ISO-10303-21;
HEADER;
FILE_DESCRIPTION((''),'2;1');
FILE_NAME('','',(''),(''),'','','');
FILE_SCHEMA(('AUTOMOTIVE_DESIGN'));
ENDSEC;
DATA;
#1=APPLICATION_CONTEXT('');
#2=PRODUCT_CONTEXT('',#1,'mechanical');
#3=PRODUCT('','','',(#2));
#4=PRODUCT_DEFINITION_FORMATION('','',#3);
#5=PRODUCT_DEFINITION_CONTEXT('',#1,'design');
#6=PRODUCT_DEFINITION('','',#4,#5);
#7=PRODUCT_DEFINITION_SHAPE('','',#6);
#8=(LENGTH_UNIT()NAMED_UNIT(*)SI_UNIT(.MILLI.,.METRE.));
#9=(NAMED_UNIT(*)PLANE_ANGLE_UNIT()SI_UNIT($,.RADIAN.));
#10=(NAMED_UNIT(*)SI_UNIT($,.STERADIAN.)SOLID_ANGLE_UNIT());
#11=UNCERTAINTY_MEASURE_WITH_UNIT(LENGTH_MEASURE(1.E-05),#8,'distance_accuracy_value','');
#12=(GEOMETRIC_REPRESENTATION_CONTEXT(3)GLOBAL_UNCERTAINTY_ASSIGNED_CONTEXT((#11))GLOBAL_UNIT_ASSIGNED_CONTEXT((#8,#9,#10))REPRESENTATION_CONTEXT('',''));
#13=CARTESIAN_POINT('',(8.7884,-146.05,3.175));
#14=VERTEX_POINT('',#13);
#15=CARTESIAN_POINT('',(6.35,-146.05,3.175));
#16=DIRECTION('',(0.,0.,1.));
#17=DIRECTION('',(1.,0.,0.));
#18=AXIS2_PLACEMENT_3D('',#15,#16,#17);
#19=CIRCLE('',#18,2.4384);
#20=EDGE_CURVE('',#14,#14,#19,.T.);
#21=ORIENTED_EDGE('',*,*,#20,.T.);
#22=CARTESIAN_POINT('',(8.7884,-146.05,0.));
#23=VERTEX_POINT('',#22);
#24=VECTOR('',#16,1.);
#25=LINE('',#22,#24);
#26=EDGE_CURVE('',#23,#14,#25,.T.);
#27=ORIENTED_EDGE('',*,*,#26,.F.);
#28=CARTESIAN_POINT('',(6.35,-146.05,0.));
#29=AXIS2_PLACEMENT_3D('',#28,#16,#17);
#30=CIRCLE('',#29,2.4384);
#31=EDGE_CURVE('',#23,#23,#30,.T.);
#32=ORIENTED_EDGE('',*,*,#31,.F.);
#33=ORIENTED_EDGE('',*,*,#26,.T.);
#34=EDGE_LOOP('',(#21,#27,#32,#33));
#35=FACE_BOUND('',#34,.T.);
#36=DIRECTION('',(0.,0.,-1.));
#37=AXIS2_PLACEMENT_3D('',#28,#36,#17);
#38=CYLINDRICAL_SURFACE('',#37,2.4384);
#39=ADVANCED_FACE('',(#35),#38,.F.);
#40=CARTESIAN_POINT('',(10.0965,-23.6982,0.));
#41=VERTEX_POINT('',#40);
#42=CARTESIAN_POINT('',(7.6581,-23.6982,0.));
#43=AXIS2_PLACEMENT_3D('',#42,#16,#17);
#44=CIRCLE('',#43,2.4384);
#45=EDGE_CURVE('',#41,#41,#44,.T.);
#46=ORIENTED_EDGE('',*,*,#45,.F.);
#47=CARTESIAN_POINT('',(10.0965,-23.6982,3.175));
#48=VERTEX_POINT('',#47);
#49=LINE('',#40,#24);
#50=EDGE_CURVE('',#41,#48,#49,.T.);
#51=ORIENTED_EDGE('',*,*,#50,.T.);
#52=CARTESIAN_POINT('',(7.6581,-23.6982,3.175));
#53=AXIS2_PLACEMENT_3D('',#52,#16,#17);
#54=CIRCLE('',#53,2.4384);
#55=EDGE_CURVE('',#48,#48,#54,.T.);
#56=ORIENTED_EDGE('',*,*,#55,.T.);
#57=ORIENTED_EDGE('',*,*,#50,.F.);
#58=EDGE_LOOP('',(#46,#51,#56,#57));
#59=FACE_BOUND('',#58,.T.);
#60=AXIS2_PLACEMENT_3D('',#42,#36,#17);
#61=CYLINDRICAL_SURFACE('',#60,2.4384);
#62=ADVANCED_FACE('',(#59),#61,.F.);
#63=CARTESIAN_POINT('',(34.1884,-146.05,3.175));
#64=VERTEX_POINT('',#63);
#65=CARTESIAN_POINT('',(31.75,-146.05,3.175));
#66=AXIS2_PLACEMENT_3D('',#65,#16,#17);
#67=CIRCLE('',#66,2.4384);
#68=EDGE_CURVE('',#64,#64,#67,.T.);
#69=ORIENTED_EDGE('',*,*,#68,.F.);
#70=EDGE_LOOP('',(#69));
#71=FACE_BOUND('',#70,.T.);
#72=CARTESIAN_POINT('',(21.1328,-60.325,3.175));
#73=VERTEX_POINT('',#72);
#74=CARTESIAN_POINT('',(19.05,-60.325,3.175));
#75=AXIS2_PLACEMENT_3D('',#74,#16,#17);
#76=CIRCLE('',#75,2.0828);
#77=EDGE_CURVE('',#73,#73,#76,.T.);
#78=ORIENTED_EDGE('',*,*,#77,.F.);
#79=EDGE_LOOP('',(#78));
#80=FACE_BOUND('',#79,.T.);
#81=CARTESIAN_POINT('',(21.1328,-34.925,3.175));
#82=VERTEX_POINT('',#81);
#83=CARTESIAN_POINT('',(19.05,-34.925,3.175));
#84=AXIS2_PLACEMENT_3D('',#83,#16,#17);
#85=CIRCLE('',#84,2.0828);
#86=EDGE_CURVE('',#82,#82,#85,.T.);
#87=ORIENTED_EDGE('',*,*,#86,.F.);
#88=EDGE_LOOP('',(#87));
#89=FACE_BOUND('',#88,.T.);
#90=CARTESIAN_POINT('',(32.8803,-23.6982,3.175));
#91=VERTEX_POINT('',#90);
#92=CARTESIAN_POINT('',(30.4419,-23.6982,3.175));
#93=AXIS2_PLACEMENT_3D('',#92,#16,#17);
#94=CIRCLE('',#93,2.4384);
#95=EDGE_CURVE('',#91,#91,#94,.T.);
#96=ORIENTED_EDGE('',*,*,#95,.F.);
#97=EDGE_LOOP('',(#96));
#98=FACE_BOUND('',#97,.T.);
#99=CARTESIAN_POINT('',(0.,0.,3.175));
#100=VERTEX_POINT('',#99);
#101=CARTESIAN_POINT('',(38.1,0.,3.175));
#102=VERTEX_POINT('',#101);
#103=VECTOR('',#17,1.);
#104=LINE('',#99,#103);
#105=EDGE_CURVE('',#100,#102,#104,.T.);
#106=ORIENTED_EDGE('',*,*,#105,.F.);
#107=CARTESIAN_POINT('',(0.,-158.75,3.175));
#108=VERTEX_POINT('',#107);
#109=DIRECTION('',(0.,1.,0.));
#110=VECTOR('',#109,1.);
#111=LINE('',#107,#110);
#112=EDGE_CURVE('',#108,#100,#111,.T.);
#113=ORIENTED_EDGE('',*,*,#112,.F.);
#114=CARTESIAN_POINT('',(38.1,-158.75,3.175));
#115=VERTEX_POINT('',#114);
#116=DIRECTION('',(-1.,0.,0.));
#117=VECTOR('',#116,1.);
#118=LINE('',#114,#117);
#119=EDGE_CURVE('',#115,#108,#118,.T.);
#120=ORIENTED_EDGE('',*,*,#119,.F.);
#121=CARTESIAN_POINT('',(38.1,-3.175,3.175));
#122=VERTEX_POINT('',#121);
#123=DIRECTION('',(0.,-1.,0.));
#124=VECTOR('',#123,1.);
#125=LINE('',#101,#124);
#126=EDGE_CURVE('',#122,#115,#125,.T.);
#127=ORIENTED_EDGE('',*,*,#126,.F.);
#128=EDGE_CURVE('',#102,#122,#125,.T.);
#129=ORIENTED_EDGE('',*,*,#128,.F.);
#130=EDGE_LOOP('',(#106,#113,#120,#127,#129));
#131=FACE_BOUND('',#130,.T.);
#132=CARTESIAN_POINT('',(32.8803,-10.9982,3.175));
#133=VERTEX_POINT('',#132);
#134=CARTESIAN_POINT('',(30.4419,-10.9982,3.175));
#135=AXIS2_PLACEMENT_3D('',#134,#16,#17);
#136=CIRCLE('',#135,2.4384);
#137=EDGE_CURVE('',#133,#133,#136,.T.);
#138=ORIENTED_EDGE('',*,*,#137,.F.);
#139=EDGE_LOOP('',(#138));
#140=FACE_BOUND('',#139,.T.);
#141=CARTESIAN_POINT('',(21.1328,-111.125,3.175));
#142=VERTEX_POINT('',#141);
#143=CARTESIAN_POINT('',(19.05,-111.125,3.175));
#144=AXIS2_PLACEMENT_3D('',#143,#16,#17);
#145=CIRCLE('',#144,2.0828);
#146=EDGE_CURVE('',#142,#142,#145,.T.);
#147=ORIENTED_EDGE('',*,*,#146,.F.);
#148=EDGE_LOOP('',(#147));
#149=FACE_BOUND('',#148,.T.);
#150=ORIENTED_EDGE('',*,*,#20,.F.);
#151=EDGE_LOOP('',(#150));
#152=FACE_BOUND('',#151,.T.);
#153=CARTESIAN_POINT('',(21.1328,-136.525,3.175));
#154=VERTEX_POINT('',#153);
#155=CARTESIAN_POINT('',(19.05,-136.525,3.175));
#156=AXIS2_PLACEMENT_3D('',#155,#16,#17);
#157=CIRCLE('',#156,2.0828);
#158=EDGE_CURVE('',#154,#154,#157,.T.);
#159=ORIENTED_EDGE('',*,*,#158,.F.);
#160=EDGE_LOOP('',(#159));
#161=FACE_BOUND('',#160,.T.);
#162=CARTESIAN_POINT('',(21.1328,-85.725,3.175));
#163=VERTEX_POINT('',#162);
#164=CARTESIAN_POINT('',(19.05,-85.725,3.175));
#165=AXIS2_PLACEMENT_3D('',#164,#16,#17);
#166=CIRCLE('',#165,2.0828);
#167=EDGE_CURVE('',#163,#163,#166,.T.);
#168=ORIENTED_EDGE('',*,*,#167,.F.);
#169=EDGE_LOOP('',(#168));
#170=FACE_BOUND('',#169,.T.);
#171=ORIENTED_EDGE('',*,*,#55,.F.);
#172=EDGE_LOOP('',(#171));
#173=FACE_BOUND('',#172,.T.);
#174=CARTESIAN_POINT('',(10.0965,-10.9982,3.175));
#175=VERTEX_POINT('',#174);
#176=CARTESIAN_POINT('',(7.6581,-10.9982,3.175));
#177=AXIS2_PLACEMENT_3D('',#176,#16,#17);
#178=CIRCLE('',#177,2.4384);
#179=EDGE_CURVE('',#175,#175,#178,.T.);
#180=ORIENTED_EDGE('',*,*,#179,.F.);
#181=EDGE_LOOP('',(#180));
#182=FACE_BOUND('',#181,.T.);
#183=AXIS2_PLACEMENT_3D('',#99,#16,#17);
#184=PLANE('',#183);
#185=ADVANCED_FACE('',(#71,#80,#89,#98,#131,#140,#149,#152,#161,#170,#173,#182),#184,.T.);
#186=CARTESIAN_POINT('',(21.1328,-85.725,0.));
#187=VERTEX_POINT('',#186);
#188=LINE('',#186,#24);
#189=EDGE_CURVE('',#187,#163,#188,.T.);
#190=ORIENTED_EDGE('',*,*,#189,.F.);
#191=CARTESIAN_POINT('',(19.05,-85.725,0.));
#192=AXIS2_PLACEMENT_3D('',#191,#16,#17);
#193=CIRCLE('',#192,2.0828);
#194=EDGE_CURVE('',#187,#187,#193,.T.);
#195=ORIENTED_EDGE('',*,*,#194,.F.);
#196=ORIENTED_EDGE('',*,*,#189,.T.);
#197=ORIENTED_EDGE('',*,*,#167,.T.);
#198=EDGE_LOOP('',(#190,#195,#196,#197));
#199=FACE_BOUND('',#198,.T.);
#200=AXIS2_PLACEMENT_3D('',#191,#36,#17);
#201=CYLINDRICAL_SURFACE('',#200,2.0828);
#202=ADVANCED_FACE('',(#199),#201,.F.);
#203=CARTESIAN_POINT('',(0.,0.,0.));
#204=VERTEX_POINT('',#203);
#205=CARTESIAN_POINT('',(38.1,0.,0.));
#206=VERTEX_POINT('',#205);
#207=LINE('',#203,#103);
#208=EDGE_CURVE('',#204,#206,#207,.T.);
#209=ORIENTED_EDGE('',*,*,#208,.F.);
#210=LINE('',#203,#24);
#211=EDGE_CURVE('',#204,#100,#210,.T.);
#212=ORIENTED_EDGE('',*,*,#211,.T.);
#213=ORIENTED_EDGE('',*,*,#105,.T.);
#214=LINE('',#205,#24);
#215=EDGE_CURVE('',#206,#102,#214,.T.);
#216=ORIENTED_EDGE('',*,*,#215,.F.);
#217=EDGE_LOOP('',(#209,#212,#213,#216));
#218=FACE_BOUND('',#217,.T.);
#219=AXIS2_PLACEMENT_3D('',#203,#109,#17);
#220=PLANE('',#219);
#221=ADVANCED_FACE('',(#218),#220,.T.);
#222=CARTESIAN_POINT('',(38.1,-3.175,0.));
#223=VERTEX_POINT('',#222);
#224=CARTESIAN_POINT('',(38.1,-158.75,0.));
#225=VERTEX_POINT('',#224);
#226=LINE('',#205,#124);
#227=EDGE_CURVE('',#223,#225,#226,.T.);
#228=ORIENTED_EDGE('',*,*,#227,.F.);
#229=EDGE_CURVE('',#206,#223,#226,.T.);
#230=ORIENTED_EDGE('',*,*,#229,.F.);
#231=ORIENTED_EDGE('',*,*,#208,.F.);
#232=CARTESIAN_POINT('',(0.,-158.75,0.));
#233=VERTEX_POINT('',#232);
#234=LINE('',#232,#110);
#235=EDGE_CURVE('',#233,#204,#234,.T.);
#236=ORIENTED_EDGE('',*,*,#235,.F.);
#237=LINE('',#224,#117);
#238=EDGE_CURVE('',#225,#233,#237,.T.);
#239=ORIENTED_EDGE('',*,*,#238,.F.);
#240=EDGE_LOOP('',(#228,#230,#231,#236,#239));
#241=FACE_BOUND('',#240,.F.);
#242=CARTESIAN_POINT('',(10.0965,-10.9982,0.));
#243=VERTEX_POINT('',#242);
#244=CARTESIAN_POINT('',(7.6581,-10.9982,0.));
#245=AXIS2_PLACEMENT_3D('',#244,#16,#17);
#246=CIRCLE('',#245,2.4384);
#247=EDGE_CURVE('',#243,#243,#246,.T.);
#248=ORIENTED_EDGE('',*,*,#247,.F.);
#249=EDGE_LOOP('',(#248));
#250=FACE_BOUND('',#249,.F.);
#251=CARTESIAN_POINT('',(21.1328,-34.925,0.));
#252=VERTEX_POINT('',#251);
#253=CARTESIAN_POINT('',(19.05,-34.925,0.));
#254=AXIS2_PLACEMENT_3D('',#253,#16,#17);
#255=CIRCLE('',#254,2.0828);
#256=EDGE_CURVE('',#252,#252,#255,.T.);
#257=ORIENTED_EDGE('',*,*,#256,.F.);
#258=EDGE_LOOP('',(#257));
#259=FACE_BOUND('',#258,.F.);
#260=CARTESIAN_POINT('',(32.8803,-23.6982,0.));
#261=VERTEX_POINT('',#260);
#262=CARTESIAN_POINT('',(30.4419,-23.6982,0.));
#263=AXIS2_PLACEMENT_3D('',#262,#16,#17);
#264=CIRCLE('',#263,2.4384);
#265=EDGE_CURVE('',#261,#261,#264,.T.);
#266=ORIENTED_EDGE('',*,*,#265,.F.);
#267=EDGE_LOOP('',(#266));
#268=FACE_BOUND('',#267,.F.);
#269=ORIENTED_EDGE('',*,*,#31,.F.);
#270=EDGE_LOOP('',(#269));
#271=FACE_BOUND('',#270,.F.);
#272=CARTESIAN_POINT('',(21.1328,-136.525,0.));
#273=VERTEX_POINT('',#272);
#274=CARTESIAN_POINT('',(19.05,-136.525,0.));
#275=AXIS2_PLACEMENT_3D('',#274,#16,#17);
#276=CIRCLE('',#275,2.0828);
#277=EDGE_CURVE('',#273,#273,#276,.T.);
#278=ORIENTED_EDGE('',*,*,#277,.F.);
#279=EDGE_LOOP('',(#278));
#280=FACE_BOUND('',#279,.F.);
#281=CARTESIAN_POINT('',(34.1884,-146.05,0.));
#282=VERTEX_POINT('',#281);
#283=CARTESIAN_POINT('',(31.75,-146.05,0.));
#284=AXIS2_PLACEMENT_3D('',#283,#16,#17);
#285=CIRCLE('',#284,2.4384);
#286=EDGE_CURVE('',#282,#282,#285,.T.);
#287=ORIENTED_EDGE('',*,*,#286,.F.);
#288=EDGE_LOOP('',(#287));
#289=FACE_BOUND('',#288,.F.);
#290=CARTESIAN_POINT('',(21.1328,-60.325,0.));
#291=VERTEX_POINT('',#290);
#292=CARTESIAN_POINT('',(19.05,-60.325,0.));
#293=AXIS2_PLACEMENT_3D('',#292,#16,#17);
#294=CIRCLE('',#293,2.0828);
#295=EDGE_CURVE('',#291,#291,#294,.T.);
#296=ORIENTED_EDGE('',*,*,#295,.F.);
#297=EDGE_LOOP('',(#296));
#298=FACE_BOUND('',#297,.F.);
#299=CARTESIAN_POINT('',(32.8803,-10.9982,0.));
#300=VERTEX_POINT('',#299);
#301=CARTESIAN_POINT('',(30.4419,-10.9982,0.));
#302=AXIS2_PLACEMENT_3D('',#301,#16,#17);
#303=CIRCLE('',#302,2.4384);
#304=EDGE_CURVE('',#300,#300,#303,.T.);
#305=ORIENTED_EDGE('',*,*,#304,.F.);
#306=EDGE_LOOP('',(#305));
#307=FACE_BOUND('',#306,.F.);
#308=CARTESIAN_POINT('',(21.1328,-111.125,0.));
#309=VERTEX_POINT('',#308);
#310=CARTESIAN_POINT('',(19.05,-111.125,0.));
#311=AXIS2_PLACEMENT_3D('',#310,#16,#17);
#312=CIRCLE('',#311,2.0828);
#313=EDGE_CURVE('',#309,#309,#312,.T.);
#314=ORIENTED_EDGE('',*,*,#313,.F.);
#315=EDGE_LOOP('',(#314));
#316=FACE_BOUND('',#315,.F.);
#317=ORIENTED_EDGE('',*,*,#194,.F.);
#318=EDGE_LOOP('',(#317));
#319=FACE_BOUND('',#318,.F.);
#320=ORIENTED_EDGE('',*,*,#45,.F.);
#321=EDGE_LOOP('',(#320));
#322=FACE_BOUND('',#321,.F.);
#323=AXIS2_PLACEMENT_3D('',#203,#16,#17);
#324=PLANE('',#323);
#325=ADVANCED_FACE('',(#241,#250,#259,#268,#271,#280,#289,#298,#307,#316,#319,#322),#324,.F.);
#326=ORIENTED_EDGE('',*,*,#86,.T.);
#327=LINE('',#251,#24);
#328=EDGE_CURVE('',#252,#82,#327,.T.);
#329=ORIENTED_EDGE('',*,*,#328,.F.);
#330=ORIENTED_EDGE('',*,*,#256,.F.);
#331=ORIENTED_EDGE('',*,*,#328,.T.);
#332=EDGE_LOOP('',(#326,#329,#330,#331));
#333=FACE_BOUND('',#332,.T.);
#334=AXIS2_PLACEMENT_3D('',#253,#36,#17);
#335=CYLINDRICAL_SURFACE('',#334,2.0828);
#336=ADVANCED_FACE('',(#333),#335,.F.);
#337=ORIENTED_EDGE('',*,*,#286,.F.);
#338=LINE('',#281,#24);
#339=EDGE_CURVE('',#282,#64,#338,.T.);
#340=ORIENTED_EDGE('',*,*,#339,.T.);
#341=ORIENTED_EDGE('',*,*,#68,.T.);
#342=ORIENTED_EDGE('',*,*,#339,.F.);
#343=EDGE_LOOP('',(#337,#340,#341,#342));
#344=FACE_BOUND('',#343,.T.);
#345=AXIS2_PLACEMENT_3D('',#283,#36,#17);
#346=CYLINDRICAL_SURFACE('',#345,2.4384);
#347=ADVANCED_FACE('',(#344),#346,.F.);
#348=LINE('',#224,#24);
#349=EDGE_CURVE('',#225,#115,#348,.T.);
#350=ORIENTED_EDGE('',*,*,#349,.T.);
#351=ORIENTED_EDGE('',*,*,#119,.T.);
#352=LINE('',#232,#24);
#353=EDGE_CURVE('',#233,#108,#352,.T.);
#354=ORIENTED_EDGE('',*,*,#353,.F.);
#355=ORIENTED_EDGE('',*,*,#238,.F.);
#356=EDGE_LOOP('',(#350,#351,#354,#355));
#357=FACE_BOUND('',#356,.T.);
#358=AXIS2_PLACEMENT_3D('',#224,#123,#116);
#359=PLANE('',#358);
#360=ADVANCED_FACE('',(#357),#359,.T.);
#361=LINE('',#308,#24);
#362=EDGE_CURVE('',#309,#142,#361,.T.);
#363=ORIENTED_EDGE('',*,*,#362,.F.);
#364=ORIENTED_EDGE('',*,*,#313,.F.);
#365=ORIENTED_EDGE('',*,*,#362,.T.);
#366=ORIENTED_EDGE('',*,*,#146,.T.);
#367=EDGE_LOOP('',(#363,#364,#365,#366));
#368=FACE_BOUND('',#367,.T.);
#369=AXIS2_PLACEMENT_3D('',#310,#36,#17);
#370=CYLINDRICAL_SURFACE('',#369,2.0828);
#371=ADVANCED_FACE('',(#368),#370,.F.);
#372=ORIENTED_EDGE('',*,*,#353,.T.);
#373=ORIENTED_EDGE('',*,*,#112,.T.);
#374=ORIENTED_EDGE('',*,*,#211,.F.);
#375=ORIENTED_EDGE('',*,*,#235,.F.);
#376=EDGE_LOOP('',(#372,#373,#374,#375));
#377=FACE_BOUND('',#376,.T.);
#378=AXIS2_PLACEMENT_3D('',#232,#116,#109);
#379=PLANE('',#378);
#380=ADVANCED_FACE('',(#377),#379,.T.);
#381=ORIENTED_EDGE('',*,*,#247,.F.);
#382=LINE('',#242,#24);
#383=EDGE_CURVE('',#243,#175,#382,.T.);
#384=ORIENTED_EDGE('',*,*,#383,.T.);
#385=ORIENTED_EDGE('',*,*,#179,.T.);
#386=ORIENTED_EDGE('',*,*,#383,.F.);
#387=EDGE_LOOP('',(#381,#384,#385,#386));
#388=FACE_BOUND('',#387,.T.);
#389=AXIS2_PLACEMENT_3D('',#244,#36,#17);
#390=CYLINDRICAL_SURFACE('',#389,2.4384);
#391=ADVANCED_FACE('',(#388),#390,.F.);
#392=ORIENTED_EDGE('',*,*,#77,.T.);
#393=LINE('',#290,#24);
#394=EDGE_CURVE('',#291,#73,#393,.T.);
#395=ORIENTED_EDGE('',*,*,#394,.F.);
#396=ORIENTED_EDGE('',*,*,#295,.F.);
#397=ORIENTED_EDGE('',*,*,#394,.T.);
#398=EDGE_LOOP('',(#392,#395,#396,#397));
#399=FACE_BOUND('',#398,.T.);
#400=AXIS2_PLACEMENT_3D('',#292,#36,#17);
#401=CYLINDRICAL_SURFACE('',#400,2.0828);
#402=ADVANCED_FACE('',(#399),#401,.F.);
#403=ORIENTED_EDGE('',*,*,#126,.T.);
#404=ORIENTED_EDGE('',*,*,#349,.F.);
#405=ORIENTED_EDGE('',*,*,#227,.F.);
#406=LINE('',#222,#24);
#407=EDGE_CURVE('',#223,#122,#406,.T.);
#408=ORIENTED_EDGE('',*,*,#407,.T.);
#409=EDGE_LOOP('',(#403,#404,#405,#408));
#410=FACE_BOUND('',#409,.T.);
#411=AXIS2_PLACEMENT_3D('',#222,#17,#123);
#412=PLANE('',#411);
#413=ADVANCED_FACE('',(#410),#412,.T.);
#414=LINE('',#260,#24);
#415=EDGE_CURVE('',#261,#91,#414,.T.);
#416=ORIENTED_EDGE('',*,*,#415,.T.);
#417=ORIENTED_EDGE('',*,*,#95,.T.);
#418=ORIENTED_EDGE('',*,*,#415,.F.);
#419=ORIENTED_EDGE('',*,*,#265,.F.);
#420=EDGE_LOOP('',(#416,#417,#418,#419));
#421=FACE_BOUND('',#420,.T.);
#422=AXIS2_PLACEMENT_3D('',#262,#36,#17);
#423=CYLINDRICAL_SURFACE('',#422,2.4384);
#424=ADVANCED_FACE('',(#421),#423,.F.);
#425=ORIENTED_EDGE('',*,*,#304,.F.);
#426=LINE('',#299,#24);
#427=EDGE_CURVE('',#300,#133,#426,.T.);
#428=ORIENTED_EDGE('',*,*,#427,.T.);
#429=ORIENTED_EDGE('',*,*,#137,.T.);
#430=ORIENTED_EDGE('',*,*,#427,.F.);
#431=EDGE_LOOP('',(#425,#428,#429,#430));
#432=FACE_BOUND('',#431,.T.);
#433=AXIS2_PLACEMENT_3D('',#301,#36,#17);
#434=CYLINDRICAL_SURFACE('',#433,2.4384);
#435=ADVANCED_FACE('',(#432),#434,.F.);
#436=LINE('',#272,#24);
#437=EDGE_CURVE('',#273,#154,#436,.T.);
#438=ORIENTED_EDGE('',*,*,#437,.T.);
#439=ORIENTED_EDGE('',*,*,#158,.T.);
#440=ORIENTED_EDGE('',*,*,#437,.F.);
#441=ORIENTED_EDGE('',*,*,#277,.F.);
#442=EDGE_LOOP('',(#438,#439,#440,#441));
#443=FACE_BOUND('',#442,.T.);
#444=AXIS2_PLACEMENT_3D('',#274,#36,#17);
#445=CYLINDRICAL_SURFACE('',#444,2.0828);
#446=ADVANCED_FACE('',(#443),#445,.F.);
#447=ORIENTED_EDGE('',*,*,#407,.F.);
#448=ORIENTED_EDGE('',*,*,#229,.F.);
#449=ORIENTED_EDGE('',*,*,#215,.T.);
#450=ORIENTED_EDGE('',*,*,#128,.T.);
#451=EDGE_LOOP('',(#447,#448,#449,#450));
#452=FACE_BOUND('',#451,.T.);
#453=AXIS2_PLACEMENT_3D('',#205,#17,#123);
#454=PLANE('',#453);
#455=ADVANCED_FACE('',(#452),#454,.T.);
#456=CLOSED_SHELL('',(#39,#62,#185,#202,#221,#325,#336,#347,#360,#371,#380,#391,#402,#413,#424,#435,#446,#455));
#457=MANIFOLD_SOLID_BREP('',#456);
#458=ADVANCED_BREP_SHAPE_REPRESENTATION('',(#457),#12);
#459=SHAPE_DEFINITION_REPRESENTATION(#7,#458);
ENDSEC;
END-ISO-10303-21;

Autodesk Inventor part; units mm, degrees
ref_plane "YZ Plane" through (0, 0, 0) normal (1, 0, 0) x (0, 1, 0)
ref_plane "XZ Plane" through (0, 0, 0) normal (0, 1, 0) x (-1, 0, 0)
ref_plane "XY Plane" through (0, 0, 0) normal (0, 0, 1) x (1, 0, 0)
sketch "Sketch1" plane through (0, 0, 0) normal (0, 0, 1) x (1, 0, 0)
  line L0 (38.1, 0) -> (38.1, -3.175)
  line L1 (0, 0) -> (38.1, 0)
  line L2 (38.1, 0) -> (38.1, -158.75)
  line L3 (38.1, -158.75) -> (0, -158.75)
  line L4 (0, -158.75) -> (0, 0)
  circle A0 centre (6.35, -146.05) radius 2.4384
  line L5 (19.05, -158.75) -> (19.05, 0) construction
  circle A1 centre (31.75, -146.05) radius 2.4384
  circle A2 centre (7.6581, -23.6982) radius 2.4384
  circle A3 centre (7.6581, -10.9982) radius 2.4384
  circle A4 centre (30.4419, -10.9982) radius 2.4384
  circle A5 centre (30.4419, -23.6982) radius 2.4384
  line L6 (7.6581, -10.9982) -> (7.6581, -23.6982) construction
  line L7 (31.75, -136.525) -> (6.35, -136.525) construction
  line L8 (6.35, -136.525) -> (6.35, -34.925) construction
  line L9 (6.35, -34.925) -> (31.75, -34.925) construction
  line L10 (31.75, -34.925) -> (31.75, -136.525) construction
  circle A6 centre (19.05, -34.925) radius 2.0828
  circle A7 centre (19.05, -60.325) radius 2.0828
  circle A8 centre (19.05, -85.725) radius 2.0828
  circle A9 centre (19.05, -111.125) radius 2.0828
  circle A10 centre (19.05, -136.525) radius 2.0828
  dimension "d0" = 4.8768
  dimension "d1" = 158.75
  dimension "d2" = 12.7
  dimension "d3" = 12.7
  dimension "d4" = 12.7
  dimension "d5" = 11.3919
  dimension "d6" = 122.3518
  dimension "d7" = 38.1
  dimension "d8" = 25.4
  dimension "d9" = 34.925
  dimension "d10" = 101.6
  dimension "d11" = 4.1656
  dimension "d14" = 25.4
extrude "Extrusion1" add sketch "Sketch1" along normal blind 3.175
properties part number "Support for 9-16 Piston"
